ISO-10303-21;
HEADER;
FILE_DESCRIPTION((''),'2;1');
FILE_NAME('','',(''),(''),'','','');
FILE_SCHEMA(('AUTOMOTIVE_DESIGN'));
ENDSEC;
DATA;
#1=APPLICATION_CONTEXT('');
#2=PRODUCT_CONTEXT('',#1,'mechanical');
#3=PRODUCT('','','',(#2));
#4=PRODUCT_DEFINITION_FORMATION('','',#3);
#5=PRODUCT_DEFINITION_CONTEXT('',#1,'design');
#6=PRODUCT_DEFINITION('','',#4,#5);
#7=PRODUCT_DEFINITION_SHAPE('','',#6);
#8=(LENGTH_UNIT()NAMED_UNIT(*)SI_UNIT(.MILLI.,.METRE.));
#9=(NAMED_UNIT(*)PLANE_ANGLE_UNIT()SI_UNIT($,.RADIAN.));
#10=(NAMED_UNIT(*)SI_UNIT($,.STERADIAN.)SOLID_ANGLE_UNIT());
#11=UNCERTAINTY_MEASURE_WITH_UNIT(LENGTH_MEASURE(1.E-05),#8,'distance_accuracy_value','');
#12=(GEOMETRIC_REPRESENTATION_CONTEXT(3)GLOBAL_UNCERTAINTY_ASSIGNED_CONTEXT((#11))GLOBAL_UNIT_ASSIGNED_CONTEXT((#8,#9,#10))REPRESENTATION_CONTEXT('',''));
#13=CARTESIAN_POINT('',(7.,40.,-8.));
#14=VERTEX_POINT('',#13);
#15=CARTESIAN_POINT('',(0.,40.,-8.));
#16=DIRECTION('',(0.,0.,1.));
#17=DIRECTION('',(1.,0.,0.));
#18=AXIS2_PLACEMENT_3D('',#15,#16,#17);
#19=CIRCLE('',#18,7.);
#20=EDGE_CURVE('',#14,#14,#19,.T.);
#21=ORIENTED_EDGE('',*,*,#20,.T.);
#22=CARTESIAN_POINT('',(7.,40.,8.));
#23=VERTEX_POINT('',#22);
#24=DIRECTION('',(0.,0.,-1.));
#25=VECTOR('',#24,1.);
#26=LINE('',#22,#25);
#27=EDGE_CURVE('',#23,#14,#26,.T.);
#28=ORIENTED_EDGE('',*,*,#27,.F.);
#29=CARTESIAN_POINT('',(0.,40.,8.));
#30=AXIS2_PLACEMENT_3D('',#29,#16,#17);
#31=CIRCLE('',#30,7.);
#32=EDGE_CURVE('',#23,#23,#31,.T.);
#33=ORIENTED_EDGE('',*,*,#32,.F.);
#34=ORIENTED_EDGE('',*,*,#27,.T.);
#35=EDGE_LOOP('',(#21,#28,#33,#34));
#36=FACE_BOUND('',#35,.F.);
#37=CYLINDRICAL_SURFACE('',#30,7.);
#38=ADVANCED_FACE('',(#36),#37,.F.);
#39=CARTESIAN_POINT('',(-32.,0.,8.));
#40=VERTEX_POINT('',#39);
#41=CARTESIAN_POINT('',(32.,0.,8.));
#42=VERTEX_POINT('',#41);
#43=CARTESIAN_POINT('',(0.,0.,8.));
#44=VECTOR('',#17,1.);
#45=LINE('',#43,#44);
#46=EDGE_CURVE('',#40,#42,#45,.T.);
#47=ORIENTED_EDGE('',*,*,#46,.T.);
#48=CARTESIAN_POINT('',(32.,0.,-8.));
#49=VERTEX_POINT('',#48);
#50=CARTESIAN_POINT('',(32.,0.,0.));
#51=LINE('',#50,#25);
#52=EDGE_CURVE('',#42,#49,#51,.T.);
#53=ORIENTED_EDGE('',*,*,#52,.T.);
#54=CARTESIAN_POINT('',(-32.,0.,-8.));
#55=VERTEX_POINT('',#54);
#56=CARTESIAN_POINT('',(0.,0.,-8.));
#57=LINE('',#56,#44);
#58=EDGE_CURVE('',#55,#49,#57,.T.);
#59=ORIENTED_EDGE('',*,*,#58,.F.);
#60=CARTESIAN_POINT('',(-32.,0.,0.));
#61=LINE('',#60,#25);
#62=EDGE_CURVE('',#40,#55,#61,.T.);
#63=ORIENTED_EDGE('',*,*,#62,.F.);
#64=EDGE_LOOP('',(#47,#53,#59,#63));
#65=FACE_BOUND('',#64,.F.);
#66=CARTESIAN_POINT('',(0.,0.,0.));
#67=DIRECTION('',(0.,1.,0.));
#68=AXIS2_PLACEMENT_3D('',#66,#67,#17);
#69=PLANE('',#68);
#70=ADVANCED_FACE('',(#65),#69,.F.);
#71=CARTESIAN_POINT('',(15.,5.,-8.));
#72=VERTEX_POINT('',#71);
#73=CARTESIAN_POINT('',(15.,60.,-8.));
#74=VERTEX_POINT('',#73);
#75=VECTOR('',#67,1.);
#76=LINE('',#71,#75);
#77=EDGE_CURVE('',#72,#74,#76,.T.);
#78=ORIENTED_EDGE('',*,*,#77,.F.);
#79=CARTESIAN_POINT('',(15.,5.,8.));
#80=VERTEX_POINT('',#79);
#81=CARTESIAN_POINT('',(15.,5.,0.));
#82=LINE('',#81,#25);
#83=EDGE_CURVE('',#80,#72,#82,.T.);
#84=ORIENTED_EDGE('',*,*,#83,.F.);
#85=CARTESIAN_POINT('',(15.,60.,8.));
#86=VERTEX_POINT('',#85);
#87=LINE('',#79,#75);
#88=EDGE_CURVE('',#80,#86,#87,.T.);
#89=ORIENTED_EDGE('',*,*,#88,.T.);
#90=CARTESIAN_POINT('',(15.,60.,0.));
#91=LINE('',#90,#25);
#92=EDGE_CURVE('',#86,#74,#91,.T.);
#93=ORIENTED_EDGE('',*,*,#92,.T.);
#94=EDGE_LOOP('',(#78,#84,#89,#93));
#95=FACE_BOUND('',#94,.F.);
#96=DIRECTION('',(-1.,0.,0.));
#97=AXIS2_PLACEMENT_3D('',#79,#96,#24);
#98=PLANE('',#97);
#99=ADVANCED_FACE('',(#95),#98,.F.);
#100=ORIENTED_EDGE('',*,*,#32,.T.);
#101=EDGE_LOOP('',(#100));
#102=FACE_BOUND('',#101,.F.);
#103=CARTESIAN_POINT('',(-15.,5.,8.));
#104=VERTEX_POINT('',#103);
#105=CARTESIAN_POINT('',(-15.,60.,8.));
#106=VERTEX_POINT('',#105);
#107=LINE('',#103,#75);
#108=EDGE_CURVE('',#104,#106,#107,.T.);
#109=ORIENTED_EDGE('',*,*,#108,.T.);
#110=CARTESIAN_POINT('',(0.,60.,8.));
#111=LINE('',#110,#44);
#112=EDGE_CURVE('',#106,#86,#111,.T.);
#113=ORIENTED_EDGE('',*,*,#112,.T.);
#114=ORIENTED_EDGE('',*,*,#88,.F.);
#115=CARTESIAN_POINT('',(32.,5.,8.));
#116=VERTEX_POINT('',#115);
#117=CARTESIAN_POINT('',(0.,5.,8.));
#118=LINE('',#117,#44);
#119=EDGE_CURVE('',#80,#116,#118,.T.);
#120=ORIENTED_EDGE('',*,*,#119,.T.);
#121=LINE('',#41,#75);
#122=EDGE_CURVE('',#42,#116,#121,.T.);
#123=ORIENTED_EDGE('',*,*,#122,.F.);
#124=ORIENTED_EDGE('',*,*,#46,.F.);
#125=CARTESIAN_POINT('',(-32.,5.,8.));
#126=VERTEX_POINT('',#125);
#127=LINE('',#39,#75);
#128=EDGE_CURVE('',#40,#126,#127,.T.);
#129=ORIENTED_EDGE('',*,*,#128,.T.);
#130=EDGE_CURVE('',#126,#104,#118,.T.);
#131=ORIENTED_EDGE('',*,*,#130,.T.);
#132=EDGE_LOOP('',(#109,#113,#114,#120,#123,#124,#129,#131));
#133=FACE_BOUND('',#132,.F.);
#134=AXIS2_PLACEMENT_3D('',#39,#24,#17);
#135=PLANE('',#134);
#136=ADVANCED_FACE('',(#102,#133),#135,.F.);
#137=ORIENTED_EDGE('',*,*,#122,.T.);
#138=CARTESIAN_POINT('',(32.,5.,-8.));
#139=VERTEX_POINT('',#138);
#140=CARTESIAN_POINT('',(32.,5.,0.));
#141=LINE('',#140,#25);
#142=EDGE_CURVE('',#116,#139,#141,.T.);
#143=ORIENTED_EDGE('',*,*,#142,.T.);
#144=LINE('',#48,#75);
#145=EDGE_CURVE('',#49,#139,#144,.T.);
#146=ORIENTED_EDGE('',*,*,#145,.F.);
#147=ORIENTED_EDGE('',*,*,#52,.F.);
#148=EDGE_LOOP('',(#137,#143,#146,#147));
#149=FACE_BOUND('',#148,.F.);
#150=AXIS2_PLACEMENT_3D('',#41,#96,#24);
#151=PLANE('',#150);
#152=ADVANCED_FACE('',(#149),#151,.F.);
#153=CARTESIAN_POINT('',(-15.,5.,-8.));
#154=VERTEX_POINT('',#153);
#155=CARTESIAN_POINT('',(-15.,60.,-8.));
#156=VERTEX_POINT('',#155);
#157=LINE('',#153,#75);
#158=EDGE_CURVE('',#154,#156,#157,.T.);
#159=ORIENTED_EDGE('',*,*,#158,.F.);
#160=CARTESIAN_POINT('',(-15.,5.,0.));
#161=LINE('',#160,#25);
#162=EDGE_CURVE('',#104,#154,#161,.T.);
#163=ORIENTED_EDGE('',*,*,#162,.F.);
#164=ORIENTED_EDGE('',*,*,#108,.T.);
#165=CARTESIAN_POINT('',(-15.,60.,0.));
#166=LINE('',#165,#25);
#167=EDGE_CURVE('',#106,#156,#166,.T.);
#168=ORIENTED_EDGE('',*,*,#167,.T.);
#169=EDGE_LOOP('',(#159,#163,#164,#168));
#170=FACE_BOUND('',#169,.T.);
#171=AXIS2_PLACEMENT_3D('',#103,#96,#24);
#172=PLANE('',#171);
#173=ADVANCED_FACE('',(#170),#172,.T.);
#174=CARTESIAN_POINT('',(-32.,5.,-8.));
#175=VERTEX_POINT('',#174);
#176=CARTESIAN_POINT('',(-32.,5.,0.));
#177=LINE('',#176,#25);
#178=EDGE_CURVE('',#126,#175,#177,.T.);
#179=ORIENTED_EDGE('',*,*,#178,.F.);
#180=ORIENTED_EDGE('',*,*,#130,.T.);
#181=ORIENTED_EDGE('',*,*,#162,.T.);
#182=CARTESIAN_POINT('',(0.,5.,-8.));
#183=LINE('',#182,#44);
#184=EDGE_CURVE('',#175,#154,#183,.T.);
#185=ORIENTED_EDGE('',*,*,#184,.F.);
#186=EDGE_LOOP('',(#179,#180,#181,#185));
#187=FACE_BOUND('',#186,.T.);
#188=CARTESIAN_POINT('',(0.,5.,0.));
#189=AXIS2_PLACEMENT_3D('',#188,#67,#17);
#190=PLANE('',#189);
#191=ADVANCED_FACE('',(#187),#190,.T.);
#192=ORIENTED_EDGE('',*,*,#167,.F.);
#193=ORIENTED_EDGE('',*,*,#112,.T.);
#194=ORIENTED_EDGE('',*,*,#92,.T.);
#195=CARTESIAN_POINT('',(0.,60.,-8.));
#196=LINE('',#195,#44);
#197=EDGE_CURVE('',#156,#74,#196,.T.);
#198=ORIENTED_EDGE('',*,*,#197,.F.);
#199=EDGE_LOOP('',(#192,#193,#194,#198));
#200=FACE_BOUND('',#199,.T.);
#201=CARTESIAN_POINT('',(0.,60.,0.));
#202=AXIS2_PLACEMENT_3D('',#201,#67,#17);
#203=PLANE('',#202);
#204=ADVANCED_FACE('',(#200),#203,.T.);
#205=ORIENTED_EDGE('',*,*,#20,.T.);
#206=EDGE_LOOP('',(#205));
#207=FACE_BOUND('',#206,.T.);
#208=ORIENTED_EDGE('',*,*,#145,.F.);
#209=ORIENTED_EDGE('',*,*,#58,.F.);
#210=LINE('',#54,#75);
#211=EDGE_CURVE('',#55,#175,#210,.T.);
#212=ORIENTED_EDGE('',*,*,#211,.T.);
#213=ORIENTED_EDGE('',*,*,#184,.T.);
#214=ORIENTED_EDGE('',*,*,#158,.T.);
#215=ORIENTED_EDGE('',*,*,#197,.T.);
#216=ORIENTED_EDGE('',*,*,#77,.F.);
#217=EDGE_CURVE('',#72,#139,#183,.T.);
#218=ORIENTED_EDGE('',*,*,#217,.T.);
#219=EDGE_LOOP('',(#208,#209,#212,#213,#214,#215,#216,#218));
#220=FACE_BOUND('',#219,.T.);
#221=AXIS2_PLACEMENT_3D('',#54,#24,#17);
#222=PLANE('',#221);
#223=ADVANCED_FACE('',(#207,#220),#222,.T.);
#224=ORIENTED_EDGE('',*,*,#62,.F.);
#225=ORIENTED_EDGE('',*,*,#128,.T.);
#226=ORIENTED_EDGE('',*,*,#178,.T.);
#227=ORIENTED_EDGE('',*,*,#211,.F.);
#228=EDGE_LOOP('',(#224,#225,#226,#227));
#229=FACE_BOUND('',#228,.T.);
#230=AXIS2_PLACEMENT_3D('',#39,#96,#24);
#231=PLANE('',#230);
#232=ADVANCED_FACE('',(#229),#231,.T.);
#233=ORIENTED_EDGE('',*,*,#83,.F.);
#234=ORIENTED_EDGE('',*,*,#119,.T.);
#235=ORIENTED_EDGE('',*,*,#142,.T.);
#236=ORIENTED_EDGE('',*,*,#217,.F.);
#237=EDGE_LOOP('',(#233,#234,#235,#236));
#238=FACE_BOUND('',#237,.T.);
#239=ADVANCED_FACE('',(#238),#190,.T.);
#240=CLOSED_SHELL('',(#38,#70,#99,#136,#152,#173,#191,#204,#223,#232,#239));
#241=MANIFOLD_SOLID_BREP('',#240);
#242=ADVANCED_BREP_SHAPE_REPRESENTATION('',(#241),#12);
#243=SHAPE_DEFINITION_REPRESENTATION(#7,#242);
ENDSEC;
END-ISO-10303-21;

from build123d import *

# Parameters (mm, degrees)
SKETCH1_W           = 64
SKETCH1_H           = 16
BOSS_EXTRUDE1_DEPTH = 5
SKETCH2_W           = 30
SKETCH2_H           = 16
BOSS_EXTRUDE2_DEPTH = 55
SKETCH3_R           = 7
CUT_EXTRUDE1_DEPTH  = 55


with BuildPart() as part:
    # Sketch1 → Boss-Extrude1 (new body)
    with BuildSketch(Plane(origin=(0, 0, 0), x_dir=(1, 0, 0), z_dir=(0, 1, 0))):
        Rectangle(SKETCH1_W, SKETCH1_H)
    extrude(amount=BOSS_EXTRUDE1_DEPTH)

    # Sketch2 → Boss-Extrude2 (add)
    with BuildSketch(Plane(origin=(0, 5, 0), x_dir=(1, 0, 0), z_dir=(0, 1, 0))):
        Rectangle(SKETCH2_W, SKETCH2_H)
    extrude(amount=BOSS_EXTRUDE2_DEPTH)

    # Sketch3 → Cut-Extrude1 (cut)
    with BuildSketch(Plane.XY.offset(8)):
        with Locations((0, 40)):
            Circle(SKETCH3_R)
    extrude(amount=-CUT_EXTRUDE1_DEPTH, mode=Mode.SUBTRACT)


solid = part.part
